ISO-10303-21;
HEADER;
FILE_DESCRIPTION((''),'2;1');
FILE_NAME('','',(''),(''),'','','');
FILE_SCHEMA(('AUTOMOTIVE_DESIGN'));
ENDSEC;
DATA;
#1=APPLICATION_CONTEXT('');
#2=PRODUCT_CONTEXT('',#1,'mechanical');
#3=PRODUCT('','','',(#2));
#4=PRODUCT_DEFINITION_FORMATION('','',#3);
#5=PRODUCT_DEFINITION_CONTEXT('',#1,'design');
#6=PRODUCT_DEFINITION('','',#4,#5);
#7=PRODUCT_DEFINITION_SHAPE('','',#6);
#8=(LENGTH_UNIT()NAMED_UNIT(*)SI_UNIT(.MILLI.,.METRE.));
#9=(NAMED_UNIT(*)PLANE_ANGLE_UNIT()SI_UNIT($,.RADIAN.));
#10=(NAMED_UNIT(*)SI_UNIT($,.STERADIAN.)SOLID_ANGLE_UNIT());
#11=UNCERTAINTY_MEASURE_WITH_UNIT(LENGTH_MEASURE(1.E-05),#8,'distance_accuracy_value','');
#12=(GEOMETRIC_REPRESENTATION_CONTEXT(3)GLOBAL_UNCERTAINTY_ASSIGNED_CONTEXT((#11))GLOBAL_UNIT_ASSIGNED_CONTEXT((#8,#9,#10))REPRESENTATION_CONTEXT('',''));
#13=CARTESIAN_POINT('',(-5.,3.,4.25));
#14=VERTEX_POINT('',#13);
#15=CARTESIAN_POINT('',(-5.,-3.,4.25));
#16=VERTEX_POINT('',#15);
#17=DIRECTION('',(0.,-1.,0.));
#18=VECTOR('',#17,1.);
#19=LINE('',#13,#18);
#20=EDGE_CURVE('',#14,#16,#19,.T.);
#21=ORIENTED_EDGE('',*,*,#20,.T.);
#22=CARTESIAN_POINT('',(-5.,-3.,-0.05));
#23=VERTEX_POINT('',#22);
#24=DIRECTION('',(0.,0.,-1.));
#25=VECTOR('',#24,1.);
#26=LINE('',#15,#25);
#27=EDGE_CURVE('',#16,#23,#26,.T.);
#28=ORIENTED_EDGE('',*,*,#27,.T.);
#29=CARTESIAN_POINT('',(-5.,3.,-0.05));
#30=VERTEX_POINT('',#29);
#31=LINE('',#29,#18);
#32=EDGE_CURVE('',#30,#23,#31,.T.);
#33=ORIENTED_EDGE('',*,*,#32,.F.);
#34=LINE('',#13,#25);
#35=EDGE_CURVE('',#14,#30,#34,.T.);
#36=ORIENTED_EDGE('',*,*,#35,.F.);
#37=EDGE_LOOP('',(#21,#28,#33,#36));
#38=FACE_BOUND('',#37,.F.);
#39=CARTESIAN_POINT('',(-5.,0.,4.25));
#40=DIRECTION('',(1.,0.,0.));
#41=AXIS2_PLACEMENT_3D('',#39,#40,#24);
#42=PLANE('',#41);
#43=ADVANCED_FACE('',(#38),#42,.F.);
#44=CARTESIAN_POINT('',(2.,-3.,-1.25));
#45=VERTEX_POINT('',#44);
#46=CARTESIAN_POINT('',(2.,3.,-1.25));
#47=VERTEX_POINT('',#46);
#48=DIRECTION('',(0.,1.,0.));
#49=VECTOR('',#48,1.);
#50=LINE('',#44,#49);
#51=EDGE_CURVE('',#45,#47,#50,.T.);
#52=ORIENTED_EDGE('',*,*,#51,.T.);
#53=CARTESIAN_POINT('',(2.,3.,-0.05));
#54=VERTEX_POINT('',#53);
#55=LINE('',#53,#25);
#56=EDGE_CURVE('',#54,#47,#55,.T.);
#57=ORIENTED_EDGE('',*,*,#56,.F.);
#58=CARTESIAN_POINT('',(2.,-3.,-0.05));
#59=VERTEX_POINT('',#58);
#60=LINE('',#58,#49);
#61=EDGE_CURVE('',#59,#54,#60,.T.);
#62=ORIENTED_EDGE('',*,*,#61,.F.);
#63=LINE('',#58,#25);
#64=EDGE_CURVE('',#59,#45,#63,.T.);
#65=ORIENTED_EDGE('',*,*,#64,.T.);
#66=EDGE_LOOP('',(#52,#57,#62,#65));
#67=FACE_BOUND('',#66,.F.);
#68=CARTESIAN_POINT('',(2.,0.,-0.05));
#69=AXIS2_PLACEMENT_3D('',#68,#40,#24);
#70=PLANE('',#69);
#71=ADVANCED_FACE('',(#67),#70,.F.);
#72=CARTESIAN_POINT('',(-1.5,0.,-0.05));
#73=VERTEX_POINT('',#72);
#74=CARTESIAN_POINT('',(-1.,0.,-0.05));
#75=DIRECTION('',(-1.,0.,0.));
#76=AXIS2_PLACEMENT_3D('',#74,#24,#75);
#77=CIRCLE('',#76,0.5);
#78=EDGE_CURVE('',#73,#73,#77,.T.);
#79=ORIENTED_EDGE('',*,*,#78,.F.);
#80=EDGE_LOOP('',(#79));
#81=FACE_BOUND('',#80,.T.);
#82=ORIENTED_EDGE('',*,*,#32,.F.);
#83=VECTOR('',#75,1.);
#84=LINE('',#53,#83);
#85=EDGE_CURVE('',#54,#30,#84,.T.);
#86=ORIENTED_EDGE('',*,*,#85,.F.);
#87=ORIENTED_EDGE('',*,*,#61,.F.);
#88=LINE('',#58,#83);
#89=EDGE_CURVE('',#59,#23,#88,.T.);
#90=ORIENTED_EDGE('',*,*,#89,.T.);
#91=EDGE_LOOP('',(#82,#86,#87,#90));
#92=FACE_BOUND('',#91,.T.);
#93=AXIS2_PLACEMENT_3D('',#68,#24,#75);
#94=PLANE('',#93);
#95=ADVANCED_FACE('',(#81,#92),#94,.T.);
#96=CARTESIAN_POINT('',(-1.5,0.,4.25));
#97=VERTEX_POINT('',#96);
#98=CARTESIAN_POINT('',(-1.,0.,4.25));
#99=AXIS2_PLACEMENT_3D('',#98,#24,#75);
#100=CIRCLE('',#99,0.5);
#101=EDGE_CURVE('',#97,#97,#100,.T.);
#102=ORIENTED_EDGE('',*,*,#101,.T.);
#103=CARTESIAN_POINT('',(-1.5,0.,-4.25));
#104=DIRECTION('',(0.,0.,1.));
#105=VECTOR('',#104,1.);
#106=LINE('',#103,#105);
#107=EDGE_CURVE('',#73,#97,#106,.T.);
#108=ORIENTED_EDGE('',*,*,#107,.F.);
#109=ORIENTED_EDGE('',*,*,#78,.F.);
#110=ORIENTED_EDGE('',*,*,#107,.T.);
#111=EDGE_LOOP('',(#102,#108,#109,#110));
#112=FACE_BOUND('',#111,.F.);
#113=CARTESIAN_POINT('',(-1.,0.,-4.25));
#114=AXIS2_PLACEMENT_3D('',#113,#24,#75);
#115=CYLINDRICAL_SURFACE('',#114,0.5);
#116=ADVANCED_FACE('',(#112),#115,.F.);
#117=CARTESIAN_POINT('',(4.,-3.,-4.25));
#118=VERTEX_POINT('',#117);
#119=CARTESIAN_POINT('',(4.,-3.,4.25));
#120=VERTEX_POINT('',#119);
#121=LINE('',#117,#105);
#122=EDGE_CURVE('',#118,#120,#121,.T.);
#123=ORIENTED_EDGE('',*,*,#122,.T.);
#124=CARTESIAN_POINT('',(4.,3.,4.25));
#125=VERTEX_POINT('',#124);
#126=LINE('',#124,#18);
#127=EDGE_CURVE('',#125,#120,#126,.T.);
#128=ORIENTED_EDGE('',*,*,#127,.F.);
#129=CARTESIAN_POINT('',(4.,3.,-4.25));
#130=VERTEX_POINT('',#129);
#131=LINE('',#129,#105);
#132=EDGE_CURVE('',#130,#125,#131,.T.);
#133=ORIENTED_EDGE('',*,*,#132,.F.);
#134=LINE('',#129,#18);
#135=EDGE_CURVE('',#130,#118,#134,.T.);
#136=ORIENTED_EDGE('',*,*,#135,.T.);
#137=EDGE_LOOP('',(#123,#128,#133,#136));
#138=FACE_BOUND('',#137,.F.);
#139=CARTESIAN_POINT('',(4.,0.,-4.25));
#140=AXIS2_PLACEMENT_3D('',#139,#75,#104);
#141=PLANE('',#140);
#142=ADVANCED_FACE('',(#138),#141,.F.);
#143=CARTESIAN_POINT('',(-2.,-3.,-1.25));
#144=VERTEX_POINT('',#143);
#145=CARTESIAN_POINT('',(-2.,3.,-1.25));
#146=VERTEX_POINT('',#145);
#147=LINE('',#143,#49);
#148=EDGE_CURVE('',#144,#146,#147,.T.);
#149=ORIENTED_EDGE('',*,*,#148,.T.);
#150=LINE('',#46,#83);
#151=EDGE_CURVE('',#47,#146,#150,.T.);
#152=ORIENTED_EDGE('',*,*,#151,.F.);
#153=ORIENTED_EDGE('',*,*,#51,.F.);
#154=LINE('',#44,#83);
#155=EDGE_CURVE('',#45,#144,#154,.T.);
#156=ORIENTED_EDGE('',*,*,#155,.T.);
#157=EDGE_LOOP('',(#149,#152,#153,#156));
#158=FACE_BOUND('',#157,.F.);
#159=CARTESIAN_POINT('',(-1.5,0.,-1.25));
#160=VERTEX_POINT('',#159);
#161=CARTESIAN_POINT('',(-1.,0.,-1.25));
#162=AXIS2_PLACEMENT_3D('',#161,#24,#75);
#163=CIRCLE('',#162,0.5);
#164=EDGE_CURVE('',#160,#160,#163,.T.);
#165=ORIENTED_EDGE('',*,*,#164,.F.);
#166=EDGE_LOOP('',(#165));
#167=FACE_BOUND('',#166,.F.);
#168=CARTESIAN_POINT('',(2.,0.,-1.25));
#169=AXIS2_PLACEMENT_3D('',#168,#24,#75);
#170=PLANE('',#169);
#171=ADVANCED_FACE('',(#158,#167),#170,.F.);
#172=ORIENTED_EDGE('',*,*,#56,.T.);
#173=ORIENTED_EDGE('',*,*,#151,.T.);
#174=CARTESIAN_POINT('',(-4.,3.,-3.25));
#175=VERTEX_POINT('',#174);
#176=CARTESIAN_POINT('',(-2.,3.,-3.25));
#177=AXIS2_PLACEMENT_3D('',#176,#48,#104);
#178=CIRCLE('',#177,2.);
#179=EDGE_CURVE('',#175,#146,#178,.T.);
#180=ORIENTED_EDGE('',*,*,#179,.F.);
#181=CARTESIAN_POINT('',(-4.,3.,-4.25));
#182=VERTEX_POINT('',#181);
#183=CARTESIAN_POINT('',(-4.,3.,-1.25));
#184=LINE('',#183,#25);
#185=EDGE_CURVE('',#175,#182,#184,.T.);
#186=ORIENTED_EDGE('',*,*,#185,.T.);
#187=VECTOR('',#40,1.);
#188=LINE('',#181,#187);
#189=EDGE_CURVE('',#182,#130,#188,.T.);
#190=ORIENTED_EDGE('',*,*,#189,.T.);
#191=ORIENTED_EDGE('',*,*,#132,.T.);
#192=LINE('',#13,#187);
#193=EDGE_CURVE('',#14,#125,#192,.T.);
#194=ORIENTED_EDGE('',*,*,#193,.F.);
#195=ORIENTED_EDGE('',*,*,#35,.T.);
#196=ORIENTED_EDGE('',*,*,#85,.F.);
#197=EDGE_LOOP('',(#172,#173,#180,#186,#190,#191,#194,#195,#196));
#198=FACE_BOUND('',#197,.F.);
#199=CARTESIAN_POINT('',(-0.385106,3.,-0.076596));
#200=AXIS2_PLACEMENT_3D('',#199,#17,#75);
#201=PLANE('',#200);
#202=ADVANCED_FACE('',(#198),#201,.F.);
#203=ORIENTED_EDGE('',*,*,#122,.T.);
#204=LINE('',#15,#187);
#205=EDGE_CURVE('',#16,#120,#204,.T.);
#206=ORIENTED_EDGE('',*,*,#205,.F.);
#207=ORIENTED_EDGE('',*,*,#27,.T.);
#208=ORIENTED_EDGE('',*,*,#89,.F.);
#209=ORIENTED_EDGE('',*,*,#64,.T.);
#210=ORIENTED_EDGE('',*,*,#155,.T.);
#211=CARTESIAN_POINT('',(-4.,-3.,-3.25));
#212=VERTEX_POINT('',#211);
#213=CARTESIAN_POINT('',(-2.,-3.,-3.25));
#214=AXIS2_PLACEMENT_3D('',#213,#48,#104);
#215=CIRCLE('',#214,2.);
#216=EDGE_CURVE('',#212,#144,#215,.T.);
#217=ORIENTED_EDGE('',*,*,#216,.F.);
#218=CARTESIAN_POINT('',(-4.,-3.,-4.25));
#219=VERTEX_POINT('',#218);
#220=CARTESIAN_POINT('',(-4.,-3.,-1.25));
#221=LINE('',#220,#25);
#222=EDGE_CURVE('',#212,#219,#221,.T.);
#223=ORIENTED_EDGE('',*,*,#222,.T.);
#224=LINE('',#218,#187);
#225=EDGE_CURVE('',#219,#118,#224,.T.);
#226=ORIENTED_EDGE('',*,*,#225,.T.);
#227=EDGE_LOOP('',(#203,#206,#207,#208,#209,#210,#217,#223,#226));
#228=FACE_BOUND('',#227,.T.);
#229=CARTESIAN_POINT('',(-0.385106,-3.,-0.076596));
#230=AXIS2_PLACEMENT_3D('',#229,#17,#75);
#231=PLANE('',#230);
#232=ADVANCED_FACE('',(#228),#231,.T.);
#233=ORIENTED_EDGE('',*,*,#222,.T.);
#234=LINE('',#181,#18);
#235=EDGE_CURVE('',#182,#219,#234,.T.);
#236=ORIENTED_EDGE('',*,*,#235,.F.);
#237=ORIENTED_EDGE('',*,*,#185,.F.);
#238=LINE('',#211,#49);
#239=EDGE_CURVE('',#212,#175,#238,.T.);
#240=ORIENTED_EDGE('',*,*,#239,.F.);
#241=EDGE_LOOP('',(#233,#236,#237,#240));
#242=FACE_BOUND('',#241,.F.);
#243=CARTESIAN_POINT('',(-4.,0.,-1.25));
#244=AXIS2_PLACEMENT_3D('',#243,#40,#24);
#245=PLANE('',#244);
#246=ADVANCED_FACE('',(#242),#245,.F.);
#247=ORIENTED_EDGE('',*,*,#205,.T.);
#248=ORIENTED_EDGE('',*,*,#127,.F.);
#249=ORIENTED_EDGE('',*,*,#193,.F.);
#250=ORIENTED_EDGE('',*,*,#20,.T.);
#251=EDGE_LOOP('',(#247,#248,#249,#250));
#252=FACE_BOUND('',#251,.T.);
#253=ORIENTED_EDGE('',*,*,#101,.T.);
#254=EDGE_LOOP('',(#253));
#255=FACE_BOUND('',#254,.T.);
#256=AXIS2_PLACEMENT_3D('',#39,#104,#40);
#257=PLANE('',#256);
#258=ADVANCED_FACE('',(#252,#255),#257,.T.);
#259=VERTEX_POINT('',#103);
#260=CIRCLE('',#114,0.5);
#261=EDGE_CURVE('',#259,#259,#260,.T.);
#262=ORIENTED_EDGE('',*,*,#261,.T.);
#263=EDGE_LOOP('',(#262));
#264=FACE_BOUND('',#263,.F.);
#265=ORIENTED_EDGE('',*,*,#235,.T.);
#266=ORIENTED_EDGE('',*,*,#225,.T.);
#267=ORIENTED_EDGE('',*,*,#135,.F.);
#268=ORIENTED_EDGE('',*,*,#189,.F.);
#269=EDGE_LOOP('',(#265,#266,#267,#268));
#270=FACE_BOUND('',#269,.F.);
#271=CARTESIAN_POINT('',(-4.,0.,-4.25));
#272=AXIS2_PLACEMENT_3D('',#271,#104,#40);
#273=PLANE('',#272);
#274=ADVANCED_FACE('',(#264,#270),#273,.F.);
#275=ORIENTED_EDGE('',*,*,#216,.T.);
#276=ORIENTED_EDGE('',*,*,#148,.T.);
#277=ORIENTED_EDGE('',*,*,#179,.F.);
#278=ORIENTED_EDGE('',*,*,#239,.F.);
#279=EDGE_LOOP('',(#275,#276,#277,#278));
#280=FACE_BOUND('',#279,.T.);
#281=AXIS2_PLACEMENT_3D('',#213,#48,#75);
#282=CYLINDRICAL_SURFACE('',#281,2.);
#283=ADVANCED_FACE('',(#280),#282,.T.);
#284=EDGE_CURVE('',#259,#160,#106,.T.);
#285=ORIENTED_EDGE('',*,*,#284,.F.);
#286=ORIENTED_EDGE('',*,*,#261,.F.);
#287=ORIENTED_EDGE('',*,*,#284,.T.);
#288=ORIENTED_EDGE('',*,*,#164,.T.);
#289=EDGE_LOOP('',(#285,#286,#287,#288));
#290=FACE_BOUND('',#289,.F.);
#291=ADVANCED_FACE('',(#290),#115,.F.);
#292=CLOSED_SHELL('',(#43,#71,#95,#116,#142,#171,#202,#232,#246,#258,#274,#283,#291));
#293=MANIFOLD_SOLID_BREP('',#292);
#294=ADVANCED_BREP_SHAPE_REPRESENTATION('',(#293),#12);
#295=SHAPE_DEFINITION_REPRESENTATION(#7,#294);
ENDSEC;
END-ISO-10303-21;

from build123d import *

# Parameters (mm, degrees)
BOSS_EXTRU_1_DEPTH      = 3
ESQUISSE3_R             = 0.5
ENL_V_MAT_EXTRU_1_DEPTH = 9.5
CONG_1_R                = 2


with BuildPart() as part:
    # Esquisse2 → Boss.-Extru.1 (new body, symmetric)
    with BuildSketch(Plane(origin=(0, 0, 0), x_dir=(1, 0, 0), z_dir=(0, 1, 0))):
        Polygon((-4, 1.25), (-4, 4.25), (4, 4.25), (4, -4.25), (-4, -4.25), (-5, -4.25), (-5, 0.05), (-4, 0.05), (2, 0.05), (2, 1.25), align=None)
    extrude(amount=BOSS_EXTRU_1_DEPTH, both=True)

    # Esquisse3 → Enlèv. mat.-Extru.1 (cut, through all)
    with BuildSketch(Plane(origin=(0, 0, -4.25), x_dir=(-1, 0, 0), z_dir=(0, 0, -1))):
        with Locations((1, 0)):
            Circle(ESQUISSE3_R)
    extrude(amount=-ENL_V_MAT_EXTRU_1_DEPTH, mode=Mode.SUBTRACT)

    # Congé1
    cong_1_edges = [part.edges().sort_by_distance(p)[0] for p in [
        (-4, 0, -1.25),
    ]]
    fillet(cong_1_edges, radius=CONG_1_R)


solid = part.part
